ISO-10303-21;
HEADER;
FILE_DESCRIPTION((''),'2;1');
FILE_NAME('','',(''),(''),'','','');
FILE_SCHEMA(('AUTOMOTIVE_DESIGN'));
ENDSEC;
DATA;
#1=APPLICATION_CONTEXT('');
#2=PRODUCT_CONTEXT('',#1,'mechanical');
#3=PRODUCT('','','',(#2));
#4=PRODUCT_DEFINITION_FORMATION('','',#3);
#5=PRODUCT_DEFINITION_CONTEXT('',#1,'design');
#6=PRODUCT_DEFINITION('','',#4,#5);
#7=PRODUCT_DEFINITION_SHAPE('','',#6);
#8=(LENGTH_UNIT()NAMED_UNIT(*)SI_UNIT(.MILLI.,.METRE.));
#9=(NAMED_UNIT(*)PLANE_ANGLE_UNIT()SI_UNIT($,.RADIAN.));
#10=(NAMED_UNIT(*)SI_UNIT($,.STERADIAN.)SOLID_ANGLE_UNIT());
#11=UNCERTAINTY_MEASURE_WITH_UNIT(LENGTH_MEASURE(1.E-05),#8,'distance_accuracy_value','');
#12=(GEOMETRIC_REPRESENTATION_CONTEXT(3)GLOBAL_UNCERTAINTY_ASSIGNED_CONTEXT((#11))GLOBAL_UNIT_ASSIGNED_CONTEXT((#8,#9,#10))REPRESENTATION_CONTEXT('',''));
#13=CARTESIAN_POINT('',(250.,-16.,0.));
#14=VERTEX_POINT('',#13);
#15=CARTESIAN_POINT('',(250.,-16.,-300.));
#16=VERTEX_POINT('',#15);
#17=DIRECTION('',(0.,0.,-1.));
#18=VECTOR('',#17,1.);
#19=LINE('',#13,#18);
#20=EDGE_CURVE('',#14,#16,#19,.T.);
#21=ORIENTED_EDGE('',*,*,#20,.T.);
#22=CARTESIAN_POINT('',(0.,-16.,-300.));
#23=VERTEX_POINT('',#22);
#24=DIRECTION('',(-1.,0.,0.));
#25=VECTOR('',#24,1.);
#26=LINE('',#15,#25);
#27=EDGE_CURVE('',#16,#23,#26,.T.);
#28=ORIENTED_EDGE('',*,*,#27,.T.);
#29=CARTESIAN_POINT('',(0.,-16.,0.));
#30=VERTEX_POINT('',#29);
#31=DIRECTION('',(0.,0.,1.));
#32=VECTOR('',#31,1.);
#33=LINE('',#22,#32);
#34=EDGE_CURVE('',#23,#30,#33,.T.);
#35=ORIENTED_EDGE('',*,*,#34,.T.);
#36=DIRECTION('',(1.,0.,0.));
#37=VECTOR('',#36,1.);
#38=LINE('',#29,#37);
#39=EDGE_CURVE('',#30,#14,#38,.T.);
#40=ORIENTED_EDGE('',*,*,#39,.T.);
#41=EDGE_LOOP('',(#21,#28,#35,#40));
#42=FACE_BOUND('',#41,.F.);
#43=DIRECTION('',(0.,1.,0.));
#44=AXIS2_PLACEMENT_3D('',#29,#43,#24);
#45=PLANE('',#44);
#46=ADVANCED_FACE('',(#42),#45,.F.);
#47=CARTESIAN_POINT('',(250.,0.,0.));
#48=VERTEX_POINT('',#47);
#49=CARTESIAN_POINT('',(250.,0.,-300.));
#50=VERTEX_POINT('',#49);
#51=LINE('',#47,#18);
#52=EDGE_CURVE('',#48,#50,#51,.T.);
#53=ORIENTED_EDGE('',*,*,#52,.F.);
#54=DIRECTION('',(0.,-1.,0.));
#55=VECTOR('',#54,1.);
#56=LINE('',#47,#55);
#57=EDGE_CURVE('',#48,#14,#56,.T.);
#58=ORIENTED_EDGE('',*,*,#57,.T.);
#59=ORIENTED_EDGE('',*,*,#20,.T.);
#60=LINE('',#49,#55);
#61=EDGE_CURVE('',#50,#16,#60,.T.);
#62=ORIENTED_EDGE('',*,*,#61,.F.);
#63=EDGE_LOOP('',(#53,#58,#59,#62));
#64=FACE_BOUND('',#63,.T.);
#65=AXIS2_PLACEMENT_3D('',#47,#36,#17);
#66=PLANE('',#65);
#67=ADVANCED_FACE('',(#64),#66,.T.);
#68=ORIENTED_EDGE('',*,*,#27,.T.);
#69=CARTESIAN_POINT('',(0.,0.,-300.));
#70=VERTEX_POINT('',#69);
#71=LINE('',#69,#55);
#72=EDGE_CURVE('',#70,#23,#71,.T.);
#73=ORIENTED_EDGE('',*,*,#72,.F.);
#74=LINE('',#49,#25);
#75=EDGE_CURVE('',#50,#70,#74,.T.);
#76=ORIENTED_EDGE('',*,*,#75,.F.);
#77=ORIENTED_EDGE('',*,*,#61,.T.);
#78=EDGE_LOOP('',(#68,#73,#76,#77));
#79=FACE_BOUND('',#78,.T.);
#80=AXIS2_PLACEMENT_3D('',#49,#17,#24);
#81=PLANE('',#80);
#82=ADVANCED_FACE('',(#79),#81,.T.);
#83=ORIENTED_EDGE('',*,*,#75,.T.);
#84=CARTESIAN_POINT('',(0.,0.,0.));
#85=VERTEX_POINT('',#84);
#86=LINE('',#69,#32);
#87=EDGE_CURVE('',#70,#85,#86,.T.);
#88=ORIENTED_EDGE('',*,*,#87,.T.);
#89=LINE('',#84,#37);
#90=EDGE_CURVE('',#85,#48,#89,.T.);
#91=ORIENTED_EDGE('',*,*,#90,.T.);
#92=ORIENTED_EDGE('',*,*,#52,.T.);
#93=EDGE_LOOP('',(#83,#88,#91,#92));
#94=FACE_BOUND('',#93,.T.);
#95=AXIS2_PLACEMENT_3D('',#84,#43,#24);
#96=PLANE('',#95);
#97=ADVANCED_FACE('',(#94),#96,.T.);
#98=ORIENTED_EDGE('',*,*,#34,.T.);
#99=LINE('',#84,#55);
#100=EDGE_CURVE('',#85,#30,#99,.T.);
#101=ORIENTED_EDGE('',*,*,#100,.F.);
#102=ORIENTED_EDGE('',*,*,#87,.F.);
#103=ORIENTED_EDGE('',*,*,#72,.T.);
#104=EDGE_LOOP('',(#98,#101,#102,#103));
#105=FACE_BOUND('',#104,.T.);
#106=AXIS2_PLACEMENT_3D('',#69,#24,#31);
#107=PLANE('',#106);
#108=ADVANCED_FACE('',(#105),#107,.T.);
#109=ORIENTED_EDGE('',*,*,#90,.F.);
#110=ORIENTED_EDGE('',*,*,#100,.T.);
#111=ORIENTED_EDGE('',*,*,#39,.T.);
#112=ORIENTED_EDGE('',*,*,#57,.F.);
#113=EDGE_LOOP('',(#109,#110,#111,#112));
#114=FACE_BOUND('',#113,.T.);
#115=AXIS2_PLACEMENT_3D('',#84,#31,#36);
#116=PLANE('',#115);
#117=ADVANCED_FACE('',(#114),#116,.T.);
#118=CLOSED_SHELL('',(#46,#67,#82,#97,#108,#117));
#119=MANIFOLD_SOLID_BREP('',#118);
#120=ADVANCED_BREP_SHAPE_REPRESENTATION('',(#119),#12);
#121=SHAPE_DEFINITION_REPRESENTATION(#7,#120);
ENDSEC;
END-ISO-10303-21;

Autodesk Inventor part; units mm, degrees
ref_plane "YZ Plane" through (0, 0, 0) normal (1, 0, 0) x (0, 1, 0)
ref_plane "XZ Plane" through (0, 0, 0) normal (0, 1, 0) x (-1, 0, 0)
ref_plane "XY Plane" through (0, 0, 0) normal (0, 0, 1) x (1, 0, 0)
sketch "Эскиз1" plane through (0, 0, 0) normal (0, 1, 0) x (-1, 0, 0)
  line L0 (0, 0) -> (-250, 0)
  line L1 (-250, 0) -> (-250, -300)
  line L2 (-250, -300) -> (0, -300)
  line L3 (0, -300) -> (0, 0)
  dimension "d0" = 250
  dimension "d1" = 300
extrude "Выдавливание1" add sketch "Эскиз1" against normal blind 16
properties part number "TopCover" material "Древесно-стружечная плита"
